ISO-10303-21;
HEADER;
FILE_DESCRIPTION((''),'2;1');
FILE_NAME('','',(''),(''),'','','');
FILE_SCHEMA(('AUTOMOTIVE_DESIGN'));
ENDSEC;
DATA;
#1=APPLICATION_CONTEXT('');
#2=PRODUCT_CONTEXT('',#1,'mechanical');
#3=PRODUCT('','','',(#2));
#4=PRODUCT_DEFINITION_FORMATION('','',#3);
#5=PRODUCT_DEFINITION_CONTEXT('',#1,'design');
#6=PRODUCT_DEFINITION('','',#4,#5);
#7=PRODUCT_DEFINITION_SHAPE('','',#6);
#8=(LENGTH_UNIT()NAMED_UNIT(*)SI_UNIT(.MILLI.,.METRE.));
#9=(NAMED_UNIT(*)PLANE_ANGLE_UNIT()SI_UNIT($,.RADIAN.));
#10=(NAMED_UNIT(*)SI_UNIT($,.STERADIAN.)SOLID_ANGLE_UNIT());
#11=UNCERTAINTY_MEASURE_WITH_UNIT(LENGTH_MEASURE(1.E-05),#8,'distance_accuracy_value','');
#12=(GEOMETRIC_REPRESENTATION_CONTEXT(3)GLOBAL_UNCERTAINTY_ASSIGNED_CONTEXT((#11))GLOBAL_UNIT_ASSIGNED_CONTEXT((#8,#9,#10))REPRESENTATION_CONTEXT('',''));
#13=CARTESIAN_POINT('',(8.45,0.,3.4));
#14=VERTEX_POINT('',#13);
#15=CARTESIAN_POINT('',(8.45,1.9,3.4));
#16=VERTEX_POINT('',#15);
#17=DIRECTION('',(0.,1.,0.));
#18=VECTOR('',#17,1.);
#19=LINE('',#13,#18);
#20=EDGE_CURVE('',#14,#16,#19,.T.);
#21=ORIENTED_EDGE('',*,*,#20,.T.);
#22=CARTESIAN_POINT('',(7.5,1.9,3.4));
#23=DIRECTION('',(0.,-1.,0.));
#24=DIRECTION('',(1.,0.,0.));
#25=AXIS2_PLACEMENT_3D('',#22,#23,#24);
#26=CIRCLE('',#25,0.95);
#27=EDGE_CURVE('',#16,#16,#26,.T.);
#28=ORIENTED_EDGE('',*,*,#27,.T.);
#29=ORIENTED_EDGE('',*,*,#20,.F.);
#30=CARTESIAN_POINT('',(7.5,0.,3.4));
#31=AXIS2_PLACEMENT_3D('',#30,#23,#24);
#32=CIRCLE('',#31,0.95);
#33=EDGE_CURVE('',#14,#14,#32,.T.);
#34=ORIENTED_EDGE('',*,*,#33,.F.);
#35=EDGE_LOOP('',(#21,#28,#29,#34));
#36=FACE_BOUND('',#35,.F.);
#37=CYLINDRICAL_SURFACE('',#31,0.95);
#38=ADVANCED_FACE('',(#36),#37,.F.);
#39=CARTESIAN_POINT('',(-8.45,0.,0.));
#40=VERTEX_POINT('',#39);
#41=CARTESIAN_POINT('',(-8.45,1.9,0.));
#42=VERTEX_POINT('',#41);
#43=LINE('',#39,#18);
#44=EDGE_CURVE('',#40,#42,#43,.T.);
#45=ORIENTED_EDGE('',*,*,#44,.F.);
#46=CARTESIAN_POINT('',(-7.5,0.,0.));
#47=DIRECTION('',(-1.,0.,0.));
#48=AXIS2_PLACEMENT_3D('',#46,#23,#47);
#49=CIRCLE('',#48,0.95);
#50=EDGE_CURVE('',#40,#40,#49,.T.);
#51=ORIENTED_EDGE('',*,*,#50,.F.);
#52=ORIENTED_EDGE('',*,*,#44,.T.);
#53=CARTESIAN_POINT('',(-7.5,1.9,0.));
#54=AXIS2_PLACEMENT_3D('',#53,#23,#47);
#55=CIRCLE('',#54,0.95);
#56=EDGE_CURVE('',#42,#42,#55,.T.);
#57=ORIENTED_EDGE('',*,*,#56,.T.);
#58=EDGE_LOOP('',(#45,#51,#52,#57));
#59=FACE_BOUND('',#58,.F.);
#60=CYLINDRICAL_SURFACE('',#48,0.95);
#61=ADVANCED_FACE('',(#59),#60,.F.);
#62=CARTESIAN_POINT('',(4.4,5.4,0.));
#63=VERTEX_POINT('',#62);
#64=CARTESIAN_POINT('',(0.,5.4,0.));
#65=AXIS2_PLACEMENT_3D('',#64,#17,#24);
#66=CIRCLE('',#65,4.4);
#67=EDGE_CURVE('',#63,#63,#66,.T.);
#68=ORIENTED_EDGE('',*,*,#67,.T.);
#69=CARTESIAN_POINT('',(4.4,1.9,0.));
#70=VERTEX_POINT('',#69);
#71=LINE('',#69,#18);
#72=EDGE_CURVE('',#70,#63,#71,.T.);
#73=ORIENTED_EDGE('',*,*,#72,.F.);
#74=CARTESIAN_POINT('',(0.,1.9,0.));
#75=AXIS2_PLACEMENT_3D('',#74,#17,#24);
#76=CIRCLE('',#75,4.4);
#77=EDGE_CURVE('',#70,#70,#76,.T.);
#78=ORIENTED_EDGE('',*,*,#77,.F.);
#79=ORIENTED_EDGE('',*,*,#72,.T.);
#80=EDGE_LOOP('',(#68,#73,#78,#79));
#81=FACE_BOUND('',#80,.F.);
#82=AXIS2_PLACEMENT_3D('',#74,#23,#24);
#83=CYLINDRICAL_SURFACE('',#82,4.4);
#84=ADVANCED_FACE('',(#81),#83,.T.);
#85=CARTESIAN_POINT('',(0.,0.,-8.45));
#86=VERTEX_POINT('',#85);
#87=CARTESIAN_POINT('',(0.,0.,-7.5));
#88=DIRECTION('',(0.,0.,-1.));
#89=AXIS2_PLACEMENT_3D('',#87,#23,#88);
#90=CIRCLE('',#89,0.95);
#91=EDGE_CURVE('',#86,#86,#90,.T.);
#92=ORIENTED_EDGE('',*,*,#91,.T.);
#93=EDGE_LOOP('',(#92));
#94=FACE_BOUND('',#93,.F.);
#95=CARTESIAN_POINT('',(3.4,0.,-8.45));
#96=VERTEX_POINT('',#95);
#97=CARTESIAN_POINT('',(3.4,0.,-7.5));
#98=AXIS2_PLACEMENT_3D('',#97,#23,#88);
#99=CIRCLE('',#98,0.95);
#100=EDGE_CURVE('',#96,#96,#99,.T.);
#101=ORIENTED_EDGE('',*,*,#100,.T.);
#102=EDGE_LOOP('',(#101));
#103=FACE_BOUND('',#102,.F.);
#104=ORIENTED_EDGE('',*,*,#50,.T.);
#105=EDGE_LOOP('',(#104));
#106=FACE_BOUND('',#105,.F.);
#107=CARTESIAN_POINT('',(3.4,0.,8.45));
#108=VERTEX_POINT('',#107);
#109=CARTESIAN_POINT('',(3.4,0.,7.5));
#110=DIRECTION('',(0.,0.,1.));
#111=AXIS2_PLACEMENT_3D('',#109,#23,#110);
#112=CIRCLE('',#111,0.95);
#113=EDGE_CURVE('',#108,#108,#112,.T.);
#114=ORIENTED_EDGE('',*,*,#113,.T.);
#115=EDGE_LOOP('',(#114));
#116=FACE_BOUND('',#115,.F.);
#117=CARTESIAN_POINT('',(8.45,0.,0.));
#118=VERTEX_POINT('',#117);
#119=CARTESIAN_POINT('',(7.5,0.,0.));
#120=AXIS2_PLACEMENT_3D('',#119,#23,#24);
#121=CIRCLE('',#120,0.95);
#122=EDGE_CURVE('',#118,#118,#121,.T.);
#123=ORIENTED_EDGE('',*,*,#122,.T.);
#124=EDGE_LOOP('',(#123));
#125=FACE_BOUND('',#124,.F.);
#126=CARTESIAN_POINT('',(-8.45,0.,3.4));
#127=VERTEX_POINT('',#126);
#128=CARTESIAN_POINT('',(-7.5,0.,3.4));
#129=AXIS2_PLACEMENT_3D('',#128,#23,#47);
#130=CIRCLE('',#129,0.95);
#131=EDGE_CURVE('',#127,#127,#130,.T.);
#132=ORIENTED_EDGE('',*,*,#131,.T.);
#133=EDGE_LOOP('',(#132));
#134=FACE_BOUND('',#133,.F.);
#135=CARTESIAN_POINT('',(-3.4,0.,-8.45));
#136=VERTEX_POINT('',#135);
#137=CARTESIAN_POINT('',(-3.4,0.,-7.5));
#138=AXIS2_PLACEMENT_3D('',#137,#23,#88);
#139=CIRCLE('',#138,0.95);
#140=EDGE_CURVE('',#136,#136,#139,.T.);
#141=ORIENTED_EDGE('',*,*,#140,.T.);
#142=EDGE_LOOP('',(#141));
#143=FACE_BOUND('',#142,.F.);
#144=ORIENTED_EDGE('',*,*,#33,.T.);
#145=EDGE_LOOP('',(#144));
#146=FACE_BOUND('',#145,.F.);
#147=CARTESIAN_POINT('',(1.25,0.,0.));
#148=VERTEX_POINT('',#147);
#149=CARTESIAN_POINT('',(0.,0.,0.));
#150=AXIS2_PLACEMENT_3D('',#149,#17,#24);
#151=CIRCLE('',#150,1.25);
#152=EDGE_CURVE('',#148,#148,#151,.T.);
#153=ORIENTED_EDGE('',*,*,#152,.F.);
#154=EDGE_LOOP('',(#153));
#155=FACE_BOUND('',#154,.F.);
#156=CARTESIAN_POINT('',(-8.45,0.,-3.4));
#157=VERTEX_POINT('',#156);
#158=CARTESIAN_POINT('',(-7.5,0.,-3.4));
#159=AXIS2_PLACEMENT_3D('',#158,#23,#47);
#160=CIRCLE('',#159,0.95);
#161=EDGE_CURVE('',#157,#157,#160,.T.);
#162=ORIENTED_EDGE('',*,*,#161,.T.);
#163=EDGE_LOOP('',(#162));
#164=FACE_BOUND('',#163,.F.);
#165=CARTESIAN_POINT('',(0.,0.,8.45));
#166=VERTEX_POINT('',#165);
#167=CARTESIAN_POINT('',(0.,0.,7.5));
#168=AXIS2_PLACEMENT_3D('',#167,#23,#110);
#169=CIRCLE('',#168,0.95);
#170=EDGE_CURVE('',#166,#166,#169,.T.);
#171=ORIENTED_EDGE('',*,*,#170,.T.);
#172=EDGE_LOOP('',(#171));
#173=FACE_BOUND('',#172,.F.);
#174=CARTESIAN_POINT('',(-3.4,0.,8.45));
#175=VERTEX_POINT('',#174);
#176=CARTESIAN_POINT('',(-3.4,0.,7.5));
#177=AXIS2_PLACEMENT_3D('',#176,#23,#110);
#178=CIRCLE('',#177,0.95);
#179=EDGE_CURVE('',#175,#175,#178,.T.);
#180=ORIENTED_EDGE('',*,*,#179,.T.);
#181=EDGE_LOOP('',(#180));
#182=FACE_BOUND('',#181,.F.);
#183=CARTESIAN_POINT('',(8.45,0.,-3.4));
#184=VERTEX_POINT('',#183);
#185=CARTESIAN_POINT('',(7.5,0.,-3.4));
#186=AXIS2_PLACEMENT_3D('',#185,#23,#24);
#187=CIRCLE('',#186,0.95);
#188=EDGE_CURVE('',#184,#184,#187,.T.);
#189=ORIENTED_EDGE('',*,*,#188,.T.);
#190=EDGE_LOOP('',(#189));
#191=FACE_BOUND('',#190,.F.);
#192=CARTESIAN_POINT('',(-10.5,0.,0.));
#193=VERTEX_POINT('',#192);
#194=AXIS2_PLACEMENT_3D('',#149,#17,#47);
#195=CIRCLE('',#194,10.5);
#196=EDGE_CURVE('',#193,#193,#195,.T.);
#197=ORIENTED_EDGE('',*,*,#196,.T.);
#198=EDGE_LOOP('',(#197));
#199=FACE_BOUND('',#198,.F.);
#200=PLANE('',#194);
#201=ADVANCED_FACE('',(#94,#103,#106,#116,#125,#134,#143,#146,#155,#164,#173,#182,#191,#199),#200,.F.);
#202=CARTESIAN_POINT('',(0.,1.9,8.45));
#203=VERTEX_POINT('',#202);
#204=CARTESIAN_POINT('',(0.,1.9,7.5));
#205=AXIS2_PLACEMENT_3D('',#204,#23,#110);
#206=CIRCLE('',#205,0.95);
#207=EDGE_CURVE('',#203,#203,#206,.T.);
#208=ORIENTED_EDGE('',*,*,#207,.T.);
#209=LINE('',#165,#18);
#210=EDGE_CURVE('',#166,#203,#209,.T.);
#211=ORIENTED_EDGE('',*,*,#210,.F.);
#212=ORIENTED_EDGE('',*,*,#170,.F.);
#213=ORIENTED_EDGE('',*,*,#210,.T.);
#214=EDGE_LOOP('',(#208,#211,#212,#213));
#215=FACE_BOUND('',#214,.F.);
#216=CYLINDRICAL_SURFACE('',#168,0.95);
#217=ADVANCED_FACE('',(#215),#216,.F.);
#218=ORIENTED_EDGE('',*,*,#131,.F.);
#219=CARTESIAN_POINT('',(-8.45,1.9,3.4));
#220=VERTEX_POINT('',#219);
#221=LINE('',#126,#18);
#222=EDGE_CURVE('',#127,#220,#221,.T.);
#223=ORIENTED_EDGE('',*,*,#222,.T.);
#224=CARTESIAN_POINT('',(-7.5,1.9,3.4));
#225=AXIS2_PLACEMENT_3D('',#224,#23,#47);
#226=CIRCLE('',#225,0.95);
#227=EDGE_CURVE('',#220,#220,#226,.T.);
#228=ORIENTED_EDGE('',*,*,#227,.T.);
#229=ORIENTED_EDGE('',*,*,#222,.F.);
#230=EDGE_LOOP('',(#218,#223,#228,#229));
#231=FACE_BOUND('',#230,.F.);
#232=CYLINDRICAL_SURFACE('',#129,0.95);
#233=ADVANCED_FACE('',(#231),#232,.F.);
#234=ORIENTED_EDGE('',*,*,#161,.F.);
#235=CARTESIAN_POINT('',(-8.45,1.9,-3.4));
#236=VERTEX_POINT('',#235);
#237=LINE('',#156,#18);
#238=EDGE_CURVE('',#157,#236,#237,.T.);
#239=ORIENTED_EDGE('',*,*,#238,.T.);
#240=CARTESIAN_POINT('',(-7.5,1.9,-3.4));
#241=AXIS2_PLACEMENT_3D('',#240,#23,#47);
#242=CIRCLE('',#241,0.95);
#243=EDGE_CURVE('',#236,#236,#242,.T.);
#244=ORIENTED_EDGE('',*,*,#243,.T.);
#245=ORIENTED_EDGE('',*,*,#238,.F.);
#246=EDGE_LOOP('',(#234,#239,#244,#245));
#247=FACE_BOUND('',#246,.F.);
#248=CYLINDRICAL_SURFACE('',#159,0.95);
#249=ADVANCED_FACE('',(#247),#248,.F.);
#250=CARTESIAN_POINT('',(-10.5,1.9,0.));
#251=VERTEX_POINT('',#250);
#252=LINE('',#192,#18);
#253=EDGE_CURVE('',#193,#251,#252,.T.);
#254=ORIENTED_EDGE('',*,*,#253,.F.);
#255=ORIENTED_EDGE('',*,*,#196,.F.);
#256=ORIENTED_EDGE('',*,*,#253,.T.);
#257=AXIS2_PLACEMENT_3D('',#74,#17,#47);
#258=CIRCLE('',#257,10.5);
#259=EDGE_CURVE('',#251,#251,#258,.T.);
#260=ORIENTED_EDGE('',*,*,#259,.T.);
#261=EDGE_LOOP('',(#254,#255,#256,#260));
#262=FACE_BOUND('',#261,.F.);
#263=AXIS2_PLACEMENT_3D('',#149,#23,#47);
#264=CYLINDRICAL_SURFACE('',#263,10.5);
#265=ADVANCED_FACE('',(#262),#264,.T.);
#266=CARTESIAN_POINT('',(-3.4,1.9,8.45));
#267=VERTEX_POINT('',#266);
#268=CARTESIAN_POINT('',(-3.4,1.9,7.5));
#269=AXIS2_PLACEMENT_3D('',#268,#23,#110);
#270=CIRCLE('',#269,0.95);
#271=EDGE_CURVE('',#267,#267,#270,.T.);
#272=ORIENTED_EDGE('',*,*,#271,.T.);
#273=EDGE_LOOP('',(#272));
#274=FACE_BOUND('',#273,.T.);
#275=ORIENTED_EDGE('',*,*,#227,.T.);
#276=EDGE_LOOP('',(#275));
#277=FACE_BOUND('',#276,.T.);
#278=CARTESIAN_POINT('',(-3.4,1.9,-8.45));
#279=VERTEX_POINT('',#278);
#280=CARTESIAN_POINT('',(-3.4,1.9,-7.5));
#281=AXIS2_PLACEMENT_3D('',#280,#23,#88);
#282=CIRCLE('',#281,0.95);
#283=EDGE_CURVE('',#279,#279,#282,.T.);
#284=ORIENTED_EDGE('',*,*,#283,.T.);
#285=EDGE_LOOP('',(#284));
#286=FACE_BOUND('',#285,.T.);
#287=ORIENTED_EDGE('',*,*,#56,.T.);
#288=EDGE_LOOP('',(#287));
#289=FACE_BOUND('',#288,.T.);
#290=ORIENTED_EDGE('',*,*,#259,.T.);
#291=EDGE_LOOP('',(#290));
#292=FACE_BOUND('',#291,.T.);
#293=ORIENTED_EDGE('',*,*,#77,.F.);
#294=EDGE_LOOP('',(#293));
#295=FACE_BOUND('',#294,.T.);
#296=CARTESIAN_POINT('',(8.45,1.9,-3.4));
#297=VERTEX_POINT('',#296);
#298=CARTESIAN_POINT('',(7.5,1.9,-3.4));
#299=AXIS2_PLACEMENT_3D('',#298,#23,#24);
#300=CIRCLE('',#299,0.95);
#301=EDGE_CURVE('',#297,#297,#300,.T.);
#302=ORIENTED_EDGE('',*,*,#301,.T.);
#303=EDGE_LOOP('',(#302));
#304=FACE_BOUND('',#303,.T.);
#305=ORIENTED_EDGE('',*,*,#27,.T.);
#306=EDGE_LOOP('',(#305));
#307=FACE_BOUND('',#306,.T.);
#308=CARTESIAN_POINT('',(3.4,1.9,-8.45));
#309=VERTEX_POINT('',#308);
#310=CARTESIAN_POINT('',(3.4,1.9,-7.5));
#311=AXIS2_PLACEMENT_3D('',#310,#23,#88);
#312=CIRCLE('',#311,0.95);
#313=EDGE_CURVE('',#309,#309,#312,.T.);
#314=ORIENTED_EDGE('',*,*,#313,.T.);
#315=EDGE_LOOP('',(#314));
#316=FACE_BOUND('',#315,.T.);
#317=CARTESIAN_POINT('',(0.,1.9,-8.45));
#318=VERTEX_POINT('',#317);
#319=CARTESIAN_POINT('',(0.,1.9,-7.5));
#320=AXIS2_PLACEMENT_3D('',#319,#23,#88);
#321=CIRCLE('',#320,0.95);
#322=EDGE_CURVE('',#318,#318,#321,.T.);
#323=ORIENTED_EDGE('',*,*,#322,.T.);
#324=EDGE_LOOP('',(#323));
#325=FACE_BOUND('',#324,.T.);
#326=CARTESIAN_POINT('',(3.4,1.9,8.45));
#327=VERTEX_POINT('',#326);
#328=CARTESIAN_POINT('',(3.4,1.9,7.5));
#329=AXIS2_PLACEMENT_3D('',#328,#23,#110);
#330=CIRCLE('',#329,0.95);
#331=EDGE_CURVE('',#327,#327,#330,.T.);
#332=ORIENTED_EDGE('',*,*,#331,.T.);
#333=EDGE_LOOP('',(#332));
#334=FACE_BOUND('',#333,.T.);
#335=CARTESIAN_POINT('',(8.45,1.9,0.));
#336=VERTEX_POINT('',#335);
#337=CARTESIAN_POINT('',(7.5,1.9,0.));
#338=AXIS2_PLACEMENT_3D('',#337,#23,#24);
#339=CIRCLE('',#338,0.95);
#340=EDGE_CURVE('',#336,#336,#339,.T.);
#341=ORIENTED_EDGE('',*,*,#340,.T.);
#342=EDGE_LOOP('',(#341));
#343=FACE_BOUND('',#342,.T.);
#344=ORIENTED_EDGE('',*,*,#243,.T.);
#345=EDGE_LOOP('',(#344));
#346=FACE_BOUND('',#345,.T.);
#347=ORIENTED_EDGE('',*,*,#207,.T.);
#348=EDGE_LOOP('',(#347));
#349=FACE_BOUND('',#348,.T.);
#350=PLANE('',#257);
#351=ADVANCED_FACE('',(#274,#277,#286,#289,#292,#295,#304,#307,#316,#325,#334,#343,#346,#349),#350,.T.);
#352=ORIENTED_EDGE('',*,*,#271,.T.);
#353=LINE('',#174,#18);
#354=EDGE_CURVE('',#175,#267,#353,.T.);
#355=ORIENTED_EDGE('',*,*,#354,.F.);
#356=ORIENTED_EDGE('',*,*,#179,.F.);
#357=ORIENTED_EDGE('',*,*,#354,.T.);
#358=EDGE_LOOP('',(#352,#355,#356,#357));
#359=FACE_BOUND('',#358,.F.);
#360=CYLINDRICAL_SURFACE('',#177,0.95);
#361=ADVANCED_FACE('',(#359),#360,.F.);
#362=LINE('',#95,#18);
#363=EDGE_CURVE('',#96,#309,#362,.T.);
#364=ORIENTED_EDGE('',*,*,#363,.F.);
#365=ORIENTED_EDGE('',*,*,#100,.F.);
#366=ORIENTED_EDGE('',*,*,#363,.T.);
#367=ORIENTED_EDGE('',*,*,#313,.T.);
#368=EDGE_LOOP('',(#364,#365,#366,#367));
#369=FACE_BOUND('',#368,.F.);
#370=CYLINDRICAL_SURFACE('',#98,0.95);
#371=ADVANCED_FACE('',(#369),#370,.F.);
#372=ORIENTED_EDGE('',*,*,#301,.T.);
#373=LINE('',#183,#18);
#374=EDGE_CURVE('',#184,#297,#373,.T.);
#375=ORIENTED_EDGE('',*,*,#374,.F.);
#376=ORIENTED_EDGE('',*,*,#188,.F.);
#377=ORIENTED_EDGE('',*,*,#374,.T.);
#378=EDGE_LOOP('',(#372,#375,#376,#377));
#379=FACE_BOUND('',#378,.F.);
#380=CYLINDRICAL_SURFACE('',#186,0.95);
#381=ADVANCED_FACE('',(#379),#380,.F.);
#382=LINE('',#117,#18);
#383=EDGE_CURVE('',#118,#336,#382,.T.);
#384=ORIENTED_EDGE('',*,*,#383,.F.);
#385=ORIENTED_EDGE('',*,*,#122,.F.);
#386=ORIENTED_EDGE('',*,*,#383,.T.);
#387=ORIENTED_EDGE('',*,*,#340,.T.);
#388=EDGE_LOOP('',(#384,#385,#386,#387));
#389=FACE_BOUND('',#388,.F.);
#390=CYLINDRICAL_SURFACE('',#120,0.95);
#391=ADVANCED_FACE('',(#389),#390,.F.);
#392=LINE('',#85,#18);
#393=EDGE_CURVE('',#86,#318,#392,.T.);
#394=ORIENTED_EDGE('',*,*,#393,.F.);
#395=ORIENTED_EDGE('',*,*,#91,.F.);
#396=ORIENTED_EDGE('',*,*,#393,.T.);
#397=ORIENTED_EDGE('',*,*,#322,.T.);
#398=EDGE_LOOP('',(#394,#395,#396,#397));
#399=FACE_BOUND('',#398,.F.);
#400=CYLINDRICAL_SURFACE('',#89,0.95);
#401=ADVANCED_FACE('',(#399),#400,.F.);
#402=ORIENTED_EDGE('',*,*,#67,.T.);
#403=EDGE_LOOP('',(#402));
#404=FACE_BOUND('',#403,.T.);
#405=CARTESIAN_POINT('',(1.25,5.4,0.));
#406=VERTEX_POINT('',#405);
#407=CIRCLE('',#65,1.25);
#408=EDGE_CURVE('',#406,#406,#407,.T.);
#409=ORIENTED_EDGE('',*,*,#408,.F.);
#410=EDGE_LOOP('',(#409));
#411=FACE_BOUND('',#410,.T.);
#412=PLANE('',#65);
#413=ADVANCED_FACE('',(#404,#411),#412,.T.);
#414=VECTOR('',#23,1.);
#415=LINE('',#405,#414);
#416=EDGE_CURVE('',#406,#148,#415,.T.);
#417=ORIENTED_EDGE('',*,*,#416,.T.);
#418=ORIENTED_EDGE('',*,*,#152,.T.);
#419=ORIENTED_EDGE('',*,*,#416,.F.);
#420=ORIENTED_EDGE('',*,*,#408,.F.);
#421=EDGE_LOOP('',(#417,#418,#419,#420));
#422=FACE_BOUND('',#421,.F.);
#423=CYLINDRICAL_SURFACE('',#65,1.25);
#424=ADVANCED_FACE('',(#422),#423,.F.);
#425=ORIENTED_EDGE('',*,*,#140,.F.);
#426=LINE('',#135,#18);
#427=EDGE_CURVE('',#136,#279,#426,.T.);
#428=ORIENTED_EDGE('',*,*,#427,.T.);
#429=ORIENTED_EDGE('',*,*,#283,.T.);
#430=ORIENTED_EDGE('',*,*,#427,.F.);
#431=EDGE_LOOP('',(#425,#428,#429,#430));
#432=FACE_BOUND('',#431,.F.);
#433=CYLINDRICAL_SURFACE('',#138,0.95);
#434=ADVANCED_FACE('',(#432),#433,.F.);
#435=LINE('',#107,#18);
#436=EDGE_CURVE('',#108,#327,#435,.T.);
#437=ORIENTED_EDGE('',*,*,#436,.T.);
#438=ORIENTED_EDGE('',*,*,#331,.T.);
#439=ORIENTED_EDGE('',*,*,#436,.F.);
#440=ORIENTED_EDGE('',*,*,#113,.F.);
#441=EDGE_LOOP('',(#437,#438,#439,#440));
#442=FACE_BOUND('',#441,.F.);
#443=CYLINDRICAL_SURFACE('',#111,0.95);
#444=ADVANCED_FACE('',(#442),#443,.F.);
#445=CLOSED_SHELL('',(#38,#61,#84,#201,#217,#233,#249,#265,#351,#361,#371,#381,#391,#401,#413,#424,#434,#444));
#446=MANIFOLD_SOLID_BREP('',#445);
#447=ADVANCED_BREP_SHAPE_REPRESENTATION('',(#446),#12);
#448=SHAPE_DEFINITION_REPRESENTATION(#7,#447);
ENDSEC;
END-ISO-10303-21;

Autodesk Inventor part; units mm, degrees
ref_plane "YZ Plane" through (0, 0, 0) normal (1, 0, 0) x (0, 1, 0)
ref_plane "XZ Plane" through (0, 0, 0) normal (0, 1, 0) x (-1, 0, 0)
ref_plane "XY Plane" through (0, 0, 0) normal (0, 0, 1) x (1, 0, 0)
sketch "Sketch1" plane through (0, 0, 0) normal (0, 1, 0) x (-1, 0, 0)
  circle A0 centre (0, 0) radius 10.5
  dimension "d0" = 21
extrude "Extrusion1" add sketch "Sketch1" along normal blind 1.9
sketch "Sketch2" plane through (0, 1.9, 0) normal (0, 1, 0) x (1, 0, 0)
  circle A0 centre (0, 0) radius 4.4
  dimension "d3" = 8.8
extrude "Extrusion2" add sketch "Sketch2" along normal blind 3.5
sketch "Sketch3" plane through (0, 5.4, 0) normal (0, 1, 0) x (1, 0, 0)
  circle A0 centre (0, 0) radius 1.25
  dimension "d6" = 2.5
extrude "Extrusion3" cut sketch "Sketch3" against normal through all
sketch "Sketch4" plane through (0, 0, 0) normal (0, -1, 0) x (1, 0, 0)
  circle A0 centre (7.5, 0) radius 0.95
  circle A1 centre (7.5, -3.4) radius 0.95
  circle A2 centre (7.5, 3.4) radius 0.95
  point P0 (0, 0)
  dimension "d9" = 1.9
  dimension "d10" = 7.5
  dimension "d11" = 1.9
  dimension "d12" = 3.4
  dimension "d13" = 7.5
  dimension "d14" = 1.9
  dimension "d15" = 3.4
  dimension "d16" = 7.5
extrude "Extrusion4" cut sketch "Sketch4" against normal through all
pattern_circular "Circular Pattern1" count 4 over 360 about axis through (0, -10, 0) along (0, 1, 0) of "Extrusion4"
equation "\"d13\" = d10"
equation "\"d15\" = d12"
equation "\"d16\" = d10"
properties part number "horn"
